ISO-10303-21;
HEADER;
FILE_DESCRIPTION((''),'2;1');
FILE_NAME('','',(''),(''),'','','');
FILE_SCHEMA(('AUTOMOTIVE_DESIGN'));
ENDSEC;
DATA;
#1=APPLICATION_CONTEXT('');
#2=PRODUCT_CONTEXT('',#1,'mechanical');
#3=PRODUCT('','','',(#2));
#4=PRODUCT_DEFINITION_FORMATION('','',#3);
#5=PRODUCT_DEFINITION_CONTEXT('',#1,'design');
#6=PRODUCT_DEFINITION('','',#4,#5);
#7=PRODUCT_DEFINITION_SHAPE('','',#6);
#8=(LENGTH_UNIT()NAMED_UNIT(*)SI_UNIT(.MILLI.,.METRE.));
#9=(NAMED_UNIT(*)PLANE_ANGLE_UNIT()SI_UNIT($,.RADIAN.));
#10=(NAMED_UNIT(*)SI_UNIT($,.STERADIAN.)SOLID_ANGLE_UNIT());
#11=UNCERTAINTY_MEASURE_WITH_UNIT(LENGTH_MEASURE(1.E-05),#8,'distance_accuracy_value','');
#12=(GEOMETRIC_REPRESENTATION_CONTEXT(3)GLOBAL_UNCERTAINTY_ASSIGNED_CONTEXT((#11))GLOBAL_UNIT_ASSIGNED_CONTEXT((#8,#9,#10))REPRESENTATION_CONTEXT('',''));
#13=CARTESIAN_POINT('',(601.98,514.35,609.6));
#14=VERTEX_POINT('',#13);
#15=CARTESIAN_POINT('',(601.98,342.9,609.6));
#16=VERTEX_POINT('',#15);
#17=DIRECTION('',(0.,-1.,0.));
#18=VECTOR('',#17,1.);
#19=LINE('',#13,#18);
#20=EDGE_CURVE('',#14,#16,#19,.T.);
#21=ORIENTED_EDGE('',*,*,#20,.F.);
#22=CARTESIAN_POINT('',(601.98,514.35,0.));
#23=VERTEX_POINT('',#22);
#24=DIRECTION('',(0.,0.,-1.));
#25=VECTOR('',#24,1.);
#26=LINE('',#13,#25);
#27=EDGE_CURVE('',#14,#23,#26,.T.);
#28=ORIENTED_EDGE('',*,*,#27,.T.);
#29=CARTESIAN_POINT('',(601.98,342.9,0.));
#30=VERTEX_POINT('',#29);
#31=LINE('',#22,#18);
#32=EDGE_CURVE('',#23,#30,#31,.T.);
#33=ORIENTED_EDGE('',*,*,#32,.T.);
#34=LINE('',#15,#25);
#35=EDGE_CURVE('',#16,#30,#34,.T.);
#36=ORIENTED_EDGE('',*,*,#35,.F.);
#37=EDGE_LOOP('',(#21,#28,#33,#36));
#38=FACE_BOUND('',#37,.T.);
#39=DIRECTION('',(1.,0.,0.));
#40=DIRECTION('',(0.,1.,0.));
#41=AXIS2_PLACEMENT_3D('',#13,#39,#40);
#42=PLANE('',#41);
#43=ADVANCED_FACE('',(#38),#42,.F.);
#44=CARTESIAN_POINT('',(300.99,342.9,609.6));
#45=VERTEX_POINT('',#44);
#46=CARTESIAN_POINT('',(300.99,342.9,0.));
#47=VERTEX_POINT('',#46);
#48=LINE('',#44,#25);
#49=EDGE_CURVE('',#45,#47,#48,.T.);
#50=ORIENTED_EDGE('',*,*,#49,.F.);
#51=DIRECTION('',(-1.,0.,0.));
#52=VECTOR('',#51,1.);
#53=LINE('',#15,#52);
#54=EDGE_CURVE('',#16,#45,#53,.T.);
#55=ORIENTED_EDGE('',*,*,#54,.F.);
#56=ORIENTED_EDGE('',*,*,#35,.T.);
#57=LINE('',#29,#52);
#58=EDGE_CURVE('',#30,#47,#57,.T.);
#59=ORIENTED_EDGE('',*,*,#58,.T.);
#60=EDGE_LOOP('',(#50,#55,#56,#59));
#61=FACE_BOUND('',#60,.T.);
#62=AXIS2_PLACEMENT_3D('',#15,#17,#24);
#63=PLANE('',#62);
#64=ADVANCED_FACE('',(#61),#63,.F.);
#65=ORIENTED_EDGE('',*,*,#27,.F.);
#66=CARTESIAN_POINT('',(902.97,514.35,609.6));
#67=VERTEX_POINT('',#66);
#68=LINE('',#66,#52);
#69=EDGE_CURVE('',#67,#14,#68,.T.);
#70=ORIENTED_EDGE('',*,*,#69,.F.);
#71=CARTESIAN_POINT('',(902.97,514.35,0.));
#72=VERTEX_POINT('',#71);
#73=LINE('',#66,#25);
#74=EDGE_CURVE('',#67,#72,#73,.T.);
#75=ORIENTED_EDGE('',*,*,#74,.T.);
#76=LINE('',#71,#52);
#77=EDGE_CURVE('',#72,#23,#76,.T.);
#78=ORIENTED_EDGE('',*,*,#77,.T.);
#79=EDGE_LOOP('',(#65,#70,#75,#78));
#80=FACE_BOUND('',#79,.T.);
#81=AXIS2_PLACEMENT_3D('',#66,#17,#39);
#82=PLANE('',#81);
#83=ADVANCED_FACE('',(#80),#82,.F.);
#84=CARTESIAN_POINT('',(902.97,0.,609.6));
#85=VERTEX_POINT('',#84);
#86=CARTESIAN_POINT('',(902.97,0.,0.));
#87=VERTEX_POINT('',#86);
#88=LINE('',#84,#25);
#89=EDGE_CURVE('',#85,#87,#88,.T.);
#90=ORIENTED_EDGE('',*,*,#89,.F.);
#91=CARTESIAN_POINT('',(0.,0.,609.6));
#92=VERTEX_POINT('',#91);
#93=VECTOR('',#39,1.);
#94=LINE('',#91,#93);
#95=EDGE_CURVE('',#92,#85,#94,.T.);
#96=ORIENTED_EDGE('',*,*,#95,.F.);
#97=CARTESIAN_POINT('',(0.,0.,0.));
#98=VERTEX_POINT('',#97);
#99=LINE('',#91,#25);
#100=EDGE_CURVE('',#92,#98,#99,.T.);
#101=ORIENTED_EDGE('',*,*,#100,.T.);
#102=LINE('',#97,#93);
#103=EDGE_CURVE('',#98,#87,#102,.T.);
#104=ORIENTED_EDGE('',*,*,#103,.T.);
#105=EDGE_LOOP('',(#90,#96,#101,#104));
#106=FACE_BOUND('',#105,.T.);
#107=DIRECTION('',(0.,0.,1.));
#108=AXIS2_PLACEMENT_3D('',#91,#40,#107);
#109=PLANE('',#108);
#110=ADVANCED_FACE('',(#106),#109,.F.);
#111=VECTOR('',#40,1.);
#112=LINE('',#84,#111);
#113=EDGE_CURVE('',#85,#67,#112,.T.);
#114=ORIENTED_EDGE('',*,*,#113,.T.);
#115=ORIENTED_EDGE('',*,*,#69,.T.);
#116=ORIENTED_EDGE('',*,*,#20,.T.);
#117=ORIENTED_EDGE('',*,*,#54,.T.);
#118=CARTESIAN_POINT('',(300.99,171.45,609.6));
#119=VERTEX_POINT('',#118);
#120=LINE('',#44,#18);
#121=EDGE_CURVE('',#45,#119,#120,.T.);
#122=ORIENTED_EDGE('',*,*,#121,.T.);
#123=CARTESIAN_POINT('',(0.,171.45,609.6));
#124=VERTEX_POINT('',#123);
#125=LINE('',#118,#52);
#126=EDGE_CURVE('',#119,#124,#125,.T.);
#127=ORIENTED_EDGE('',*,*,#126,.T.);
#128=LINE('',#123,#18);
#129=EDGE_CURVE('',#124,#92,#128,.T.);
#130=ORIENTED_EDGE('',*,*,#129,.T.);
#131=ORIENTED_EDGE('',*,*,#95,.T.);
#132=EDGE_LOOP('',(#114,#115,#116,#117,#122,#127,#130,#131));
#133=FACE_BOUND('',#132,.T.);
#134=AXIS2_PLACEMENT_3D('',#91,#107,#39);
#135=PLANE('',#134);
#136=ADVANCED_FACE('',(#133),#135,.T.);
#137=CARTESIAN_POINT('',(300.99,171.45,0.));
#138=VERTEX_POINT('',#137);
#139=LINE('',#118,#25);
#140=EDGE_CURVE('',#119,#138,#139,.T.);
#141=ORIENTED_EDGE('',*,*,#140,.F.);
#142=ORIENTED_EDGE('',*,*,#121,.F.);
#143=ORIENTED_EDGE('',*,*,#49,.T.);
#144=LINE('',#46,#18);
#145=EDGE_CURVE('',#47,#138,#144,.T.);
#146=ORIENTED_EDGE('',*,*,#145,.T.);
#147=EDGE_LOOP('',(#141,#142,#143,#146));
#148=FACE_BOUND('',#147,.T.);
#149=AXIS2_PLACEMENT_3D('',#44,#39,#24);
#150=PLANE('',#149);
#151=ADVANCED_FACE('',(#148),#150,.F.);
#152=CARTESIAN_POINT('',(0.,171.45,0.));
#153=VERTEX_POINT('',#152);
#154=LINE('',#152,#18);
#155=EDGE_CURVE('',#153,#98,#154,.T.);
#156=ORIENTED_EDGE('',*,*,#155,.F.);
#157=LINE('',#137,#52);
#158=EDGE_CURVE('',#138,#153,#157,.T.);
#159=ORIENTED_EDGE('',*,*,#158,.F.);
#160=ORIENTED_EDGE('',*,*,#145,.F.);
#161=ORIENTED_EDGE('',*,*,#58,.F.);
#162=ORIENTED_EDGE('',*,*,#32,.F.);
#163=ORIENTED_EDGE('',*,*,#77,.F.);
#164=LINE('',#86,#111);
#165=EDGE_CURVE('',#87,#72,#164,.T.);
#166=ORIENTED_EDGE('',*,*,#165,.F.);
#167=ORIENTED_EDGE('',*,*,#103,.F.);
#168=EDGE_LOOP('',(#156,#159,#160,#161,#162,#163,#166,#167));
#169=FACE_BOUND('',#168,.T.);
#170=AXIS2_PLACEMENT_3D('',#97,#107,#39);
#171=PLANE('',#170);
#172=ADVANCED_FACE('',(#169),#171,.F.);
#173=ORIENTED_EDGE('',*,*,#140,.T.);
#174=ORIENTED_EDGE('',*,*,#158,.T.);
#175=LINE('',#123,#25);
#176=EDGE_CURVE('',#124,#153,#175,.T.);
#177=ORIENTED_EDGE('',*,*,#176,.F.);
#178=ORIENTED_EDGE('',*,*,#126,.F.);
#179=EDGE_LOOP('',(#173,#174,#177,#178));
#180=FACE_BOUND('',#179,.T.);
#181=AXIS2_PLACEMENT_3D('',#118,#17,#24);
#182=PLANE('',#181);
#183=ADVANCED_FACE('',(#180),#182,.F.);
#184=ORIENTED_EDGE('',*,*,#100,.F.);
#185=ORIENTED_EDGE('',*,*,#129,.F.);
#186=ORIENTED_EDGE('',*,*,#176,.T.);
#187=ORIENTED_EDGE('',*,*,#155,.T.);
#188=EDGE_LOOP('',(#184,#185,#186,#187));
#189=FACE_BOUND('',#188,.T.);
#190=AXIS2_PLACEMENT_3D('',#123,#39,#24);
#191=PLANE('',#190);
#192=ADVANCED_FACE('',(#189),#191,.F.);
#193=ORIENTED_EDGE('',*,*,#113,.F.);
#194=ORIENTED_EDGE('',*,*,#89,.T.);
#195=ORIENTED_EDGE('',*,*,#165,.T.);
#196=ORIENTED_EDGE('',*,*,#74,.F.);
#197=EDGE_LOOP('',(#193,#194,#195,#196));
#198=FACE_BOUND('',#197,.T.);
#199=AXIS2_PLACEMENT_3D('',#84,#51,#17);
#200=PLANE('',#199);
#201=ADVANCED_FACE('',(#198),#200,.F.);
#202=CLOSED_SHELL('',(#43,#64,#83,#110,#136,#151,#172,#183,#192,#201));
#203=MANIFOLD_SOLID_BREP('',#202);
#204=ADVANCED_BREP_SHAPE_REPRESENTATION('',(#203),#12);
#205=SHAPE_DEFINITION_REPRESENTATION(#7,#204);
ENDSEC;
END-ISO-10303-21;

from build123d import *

# Parameters (mm, degrees)
BOSS_EXTRUDE1_DEPTH = 609.6


with BuildPart() as part:
    # Sketch1 → Boss-Extrude1 (new body)
    with BuildSketch(Plane.XY):
        Polygon((0, 0), (902.97, 0), (902.97, 514.35), (601.98, 514.35), (601.98, 342.9), (300.99, 342.9), (300.99, 171.45), (0, 171.45), align=None)
    extrude(amount=BOSS_EXTRUDE1_DEPTH)


solid = part.part
